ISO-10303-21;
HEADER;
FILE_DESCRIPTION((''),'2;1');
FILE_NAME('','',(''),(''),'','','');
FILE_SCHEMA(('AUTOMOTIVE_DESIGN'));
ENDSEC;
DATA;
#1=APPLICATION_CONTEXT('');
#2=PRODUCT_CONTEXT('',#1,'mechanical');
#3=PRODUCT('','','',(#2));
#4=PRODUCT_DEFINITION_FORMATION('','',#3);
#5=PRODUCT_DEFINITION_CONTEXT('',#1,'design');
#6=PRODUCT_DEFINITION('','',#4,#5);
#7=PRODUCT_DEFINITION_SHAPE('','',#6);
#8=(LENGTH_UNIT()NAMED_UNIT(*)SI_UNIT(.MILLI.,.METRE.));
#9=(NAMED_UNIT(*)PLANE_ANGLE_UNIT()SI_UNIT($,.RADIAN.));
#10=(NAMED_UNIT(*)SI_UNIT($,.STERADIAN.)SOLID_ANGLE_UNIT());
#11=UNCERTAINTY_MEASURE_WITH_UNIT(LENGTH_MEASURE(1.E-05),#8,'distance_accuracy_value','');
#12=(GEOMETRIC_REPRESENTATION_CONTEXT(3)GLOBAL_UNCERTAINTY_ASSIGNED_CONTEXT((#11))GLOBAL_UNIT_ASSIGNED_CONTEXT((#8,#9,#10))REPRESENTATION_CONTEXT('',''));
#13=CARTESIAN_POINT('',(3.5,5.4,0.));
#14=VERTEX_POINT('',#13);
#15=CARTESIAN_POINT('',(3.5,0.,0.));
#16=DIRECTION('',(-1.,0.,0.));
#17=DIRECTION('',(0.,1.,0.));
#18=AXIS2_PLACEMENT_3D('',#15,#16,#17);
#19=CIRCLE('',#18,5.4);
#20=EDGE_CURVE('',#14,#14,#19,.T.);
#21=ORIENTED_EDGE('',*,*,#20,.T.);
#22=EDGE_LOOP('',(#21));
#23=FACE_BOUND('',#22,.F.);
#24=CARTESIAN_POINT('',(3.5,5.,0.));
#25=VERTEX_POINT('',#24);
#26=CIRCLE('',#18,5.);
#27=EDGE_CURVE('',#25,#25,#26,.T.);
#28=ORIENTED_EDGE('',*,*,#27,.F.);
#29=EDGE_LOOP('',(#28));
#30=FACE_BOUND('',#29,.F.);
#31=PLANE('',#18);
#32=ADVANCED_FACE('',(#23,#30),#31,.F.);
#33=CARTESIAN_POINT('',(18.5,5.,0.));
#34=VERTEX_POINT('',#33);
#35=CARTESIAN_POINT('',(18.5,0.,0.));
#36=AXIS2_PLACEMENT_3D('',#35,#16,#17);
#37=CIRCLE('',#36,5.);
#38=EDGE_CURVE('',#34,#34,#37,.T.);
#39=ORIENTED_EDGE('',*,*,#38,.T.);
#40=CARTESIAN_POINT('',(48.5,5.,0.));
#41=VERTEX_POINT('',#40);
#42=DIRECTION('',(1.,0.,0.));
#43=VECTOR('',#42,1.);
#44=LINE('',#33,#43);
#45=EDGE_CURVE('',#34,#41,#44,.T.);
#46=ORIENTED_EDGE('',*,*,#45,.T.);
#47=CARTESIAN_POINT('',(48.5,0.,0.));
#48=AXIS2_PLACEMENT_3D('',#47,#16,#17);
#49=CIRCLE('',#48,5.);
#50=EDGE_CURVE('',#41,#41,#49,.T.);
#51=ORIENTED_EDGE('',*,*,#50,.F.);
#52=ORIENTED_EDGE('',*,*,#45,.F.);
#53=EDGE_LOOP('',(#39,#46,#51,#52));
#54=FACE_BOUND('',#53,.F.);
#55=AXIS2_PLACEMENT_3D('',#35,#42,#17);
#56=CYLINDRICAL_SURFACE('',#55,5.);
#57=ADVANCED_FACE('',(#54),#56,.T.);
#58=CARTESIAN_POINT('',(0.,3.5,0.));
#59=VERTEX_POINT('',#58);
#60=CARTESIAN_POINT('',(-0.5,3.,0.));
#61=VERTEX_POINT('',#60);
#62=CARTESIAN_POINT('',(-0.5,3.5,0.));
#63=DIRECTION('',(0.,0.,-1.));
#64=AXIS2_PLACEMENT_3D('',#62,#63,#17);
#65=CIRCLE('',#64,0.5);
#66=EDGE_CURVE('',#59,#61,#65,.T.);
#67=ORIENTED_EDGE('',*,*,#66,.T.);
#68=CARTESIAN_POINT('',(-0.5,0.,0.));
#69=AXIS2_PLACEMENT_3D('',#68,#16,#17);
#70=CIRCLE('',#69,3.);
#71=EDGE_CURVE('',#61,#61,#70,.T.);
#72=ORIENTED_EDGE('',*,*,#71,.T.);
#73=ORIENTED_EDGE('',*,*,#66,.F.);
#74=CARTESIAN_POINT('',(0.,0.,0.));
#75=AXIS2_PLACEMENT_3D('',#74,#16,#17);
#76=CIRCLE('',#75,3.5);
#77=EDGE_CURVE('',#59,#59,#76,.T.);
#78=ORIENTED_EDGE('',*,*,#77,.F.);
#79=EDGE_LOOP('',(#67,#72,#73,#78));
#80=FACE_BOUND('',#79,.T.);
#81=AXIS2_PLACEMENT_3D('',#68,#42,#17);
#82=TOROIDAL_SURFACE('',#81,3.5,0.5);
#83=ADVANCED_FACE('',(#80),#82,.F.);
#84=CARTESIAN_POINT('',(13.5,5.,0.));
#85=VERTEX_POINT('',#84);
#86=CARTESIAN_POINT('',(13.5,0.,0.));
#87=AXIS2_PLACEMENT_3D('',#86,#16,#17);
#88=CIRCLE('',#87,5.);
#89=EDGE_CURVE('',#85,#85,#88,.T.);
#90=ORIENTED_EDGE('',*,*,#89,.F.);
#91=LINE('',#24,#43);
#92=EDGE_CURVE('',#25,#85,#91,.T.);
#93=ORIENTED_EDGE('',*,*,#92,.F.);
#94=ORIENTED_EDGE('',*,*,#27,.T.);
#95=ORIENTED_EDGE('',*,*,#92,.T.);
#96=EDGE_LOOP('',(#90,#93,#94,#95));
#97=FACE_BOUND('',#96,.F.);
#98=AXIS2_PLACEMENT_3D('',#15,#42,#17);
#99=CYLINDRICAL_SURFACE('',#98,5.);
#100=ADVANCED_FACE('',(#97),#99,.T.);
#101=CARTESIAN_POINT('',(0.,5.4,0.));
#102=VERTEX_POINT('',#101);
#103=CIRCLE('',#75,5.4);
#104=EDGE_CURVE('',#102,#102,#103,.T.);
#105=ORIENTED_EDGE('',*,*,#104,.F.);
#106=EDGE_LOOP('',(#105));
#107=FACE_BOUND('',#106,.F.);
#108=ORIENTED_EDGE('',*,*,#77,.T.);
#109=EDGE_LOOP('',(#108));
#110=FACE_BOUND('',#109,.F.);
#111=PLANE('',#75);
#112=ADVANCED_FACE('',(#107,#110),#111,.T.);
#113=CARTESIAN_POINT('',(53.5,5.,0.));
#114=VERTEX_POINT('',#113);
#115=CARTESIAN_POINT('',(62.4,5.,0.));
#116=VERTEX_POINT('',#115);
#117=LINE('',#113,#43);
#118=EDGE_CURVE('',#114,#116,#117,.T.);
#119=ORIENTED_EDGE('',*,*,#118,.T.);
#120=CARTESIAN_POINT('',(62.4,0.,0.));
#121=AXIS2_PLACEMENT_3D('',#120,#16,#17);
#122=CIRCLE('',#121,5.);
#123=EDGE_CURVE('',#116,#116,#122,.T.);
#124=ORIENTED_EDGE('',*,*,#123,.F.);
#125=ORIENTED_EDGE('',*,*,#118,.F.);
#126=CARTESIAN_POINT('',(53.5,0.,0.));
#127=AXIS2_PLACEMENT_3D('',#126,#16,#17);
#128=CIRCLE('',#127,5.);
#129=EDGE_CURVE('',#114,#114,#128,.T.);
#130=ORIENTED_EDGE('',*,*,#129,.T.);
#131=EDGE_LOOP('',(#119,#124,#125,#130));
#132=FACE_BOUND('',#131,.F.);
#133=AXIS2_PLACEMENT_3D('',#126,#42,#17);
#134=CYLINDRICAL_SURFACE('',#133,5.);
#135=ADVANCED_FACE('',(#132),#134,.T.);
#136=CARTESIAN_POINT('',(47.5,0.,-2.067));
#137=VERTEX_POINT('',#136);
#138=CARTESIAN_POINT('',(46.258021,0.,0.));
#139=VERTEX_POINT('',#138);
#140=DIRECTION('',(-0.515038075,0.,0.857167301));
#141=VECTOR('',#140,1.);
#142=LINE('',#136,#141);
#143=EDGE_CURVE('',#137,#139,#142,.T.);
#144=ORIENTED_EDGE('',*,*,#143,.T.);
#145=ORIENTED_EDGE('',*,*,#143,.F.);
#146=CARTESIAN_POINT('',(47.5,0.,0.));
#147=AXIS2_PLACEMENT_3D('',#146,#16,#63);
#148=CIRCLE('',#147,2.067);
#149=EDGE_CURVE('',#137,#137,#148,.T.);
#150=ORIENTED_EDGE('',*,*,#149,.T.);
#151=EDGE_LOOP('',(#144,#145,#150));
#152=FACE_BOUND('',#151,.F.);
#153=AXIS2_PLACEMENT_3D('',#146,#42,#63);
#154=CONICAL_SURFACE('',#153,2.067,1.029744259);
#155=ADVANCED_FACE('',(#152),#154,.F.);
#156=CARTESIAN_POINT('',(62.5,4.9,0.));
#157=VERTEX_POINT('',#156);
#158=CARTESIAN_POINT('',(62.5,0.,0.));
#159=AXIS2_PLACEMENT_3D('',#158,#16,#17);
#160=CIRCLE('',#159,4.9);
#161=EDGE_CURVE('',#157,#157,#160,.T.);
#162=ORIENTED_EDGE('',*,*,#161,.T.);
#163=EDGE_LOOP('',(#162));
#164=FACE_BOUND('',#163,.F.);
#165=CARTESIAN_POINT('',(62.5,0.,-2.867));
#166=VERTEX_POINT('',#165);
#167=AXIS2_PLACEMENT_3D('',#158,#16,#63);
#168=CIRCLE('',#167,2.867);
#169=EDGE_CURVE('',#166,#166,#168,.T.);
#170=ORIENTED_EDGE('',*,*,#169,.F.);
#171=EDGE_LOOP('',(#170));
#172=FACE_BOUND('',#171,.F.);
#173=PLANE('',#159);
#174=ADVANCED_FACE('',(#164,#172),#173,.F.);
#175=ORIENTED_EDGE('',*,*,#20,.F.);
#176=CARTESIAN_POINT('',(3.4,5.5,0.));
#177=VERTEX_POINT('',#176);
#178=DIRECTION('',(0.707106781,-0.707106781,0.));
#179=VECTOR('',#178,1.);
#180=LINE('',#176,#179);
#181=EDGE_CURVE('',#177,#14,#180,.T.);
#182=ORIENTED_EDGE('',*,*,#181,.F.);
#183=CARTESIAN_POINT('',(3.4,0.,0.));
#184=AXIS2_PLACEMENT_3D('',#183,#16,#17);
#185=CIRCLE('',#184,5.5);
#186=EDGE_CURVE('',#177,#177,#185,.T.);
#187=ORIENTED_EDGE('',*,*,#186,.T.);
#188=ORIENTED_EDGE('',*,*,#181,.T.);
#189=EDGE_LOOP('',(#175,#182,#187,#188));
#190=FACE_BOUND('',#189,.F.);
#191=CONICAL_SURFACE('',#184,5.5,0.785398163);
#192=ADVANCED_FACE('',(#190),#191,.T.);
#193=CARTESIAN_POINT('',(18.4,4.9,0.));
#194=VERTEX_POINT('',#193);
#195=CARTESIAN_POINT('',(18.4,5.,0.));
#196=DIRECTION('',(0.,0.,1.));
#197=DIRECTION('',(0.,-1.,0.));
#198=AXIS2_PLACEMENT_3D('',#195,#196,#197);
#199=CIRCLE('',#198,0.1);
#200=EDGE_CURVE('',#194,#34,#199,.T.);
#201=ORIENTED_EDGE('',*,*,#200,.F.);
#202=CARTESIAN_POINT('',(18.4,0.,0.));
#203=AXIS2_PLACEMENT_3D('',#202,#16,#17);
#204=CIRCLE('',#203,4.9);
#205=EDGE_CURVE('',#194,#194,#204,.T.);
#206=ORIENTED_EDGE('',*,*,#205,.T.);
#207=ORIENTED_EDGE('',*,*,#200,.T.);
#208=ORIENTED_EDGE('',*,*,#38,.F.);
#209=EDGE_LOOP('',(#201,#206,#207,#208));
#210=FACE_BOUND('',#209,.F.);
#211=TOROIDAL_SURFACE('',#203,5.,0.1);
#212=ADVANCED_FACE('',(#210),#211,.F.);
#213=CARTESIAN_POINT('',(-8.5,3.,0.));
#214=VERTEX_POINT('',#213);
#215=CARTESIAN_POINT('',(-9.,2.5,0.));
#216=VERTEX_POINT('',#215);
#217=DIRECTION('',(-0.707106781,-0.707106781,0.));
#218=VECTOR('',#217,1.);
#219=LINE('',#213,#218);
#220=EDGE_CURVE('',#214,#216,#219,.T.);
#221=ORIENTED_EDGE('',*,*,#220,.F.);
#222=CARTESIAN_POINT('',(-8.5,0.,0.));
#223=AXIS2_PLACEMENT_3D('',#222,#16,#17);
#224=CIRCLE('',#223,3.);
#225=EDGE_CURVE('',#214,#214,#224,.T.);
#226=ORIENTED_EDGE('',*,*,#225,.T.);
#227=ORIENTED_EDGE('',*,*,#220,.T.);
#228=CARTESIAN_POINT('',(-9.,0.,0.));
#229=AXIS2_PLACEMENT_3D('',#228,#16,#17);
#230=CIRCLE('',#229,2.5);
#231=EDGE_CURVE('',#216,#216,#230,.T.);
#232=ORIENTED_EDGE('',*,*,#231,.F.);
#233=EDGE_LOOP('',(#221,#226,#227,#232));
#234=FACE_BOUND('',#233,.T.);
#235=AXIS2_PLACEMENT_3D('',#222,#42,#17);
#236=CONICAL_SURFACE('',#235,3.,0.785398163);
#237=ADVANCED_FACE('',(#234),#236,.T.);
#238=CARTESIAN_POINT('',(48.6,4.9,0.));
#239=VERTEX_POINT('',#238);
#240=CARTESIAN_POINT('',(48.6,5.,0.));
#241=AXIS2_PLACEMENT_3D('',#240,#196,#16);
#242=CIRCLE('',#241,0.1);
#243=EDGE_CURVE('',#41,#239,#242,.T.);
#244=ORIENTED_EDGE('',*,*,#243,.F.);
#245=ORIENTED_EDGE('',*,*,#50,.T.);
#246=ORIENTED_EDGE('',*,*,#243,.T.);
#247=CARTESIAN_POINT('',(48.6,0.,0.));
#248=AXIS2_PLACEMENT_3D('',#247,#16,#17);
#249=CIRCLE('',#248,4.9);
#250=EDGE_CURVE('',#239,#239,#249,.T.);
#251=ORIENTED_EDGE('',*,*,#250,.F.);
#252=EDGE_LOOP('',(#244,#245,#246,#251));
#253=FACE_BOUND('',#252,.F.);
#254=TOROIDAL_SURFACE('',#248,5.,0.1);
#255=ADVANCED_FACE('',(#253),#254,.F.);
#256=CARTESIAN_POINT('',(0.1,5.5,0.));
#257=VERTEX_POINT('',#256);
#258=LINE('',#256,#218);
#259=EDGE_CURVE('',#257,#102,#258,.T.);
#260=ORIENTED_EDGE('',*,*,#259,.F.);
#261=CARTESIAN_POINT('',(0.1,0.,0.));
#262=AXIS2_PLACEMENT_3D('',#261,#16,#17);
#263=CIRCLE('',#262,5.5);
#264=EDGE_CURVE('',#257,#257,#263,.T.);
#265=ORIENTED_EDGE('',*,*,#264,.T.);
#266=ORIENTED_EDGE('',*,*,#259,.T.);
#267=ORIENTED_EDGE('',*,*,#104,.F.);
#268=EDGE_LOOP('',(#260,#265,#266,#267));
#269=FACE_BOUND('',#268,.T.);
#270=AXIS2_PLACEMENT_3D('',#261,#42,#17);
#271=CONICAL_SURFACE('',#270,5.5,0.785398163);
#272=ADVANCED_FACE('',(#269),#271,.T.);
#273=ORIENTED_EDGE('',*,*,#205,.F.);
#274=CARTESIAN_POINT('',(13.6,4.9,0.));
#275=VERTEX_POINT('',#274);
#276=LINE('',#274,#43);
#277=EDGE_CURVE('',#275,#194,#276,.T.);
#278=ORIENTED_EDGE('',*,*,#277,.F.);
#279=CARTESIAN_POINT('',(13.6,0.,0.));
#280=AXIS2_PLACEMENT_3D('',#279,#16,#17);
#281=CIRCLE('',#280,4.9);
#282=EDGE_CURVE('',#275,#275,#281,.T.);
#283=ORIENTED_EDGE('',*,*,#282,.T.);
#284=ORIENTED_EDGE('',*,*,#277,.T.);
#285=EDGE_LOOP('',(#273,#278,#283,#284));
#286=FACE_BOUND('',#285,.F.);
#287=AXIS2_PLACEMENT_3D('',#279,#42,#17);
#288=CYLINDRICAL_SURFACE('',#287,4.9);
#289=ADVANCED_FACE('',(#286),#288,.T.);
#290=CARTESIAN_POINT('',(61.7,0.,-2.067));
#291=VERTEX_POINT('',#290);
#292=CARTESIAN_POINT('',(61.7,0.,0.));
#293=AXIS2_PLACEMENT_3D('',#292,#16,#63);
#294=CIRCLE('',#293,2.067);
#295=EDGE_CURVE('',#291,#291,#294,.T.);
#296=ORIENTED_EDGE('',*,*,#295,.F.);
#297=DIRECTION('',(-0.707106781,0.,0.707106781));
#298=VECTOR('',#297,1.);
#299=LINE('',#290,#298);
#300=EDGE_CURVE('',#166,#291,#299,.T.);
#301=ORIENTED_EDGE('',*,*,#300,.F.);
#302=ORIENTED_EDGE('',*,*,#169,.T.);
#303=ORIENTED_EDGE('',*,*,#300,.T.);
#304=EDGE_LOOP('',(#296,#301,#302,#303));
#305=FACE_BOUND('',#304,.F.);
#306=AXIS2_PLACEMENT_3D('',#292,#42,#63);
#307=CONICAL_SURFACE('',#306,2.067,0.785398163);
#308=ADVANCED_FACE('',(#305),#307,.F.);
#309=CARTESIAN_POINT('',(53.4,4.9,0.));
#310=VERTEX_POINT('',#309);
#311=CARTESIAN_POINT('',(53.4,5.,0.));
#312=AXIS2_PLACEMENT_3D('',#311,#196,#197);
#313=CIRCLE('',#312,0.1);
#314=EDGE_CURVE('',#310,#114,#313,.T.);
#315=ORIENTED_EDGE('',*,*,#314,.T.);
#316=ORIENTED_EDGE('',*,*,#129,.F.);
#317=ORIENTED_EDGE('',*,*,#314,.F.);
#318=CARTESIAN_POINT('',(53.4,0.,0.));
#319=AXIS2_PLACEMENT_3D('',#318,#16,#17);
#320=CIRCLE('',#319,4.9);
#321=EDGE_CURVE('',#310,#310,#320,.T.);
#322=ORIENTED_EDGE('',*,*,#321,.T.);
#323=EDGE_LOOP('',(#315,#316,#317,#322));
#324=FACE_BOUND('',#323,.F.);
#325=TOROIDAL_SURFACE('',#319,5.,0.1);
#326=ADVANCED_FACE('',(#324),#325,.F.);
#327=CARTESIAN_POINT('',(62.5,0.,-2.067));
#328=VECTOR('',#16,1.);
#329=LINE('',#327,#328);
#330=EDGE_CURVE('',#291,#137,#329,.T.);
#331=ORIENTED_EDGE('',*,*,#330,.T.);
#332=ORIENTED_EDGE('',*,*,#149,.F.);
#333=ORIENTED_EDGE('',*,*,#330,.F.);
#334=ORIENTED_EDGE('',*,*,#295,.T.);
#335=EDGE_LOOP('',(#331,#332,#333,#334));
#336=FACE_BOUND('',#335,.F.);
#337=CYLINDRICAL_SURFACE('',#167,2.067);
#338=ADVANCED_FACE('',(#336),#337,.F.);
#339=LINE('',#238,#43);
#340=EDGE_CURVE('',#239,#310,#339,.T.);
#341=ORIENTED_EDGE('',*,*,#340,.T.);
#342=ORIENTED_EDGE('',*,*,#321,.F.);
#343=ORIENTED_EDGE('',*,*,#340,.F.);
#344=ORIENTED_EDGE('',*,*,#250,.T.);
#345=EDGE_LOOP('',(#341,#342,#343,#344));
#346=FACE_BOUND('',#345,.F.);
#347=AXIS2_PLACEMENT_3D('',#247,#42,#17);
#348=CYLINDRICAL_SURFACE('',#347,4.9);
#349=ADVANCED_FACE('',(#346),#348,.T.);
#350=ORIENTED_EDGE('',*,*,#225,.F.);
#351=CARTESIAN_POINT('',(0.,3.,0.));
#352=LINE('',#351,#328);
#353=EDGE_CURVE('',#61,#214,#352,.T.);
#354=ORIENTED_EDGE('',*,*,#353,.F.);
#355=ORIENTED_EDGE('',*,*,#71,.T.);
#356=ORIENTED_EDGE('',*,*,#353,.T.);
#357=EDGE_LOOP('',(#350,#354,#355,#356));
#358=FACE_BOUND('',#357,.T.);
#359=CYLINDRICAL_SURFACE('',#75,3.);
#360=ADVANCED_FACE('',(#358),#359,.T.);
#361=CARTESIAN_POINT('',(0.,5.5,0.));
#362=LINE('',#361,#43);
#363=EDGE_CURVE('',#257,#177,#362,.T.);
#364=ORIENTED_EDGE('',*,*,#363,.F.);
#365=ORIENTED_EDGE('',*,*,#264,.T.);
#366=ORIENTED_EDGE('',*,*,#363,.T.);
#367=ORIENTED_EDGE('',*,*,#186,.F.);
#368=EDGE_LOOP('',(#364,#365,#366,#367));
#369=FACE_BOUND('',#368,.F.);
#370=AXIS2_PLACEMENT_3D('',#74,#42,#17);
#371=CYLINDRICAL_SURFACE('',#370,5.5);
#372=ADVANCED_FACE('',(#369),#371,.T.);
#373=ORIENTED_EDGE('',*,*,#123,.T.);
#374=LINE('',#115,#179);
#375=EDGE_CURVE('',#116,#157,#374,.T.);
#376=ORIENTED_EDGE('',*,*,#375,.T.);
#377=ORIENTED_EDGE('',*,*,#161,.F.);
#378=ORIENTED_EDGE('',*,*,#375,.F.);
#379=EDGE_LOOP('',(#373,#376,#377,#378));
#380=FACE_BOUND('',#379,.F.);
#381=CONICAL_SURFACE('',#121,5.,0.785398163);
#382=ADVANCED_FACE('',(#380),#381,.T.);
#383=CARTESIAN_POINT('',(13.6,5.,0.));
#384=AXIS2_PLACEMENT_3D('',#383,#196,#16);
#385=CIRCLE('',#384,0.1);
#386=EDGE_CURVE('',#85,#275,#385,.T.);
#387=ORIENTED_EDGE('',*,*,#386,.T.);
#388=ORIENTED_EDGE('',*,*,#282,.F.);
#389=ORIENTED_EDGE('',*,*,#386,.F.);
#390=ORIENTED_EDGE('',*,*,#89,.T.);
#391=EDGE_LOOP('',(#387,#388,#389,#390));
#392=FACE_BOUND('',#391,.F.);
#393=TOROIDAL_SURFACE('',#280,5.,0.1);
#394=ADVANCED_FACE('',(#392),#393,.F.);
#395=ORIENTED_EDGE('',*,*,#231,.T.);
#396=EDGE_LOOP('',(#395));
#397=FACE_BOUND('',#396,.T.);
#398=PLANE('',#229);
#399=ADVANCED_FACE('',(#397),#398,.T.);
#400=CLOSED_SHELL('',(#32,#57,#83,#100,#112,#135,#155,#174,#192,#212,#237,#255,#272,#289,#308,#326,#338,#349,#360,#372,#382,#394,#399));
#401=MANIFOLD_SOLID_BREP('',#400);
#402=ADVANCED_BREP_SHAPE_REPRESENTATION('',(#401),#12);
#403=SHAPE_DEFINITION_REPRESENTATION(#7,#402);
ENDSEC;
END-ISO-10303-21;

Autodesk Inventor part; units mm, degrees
ref_plane "YZ Plane" through (0, 0, 0) normal (1, 0, 0) x (0, 1, 0)
ref_plane "XZ Plane" through (0, 0, 0) normal (0, 1, 0) x (-1, 0, 0)
ref_plane "XY Plane" through (0, 0, 0) normal (0, 0, 1) x (1, 0, 0)
sketch "Skizze1" plane through (0, 0, 0) normal (0, 0, 1) x (1, 0, 0)
  line L0 (0, 5.5) -> (3.5, 5.5)
  line L1 (3.5, 5.5) -> (3.5, 5)
  line L2 (3.5, 5) -> (13.5, 5)
  line L3 (13.5, 5) -> (13.5, 5)
  line L4 (53.5, 5) -> (53.5, 5)
  line L5 (53.5, 5) -> (62.5, 5)
  line L6 (62.5, 0) -> (0, 0)
  line L7 (0, 3) -> (0, 5.5)
  arc A0 (13.5, 5) -> (13.6, 4.9) centre (13.6, 5) ccw
  arc A1 (53.4, 4.9) -> (53.5, 5) centre (53.4, 5) ccw
  line L8 (18.5, 5) -> (18.5, 5)
  line L9 (18.5, 5) -> (48.5, 5)
  line L10 (48.5, 5) -> (48.5, 5)
  line L11 (13.6, 4.9) -> (18.4, 4.9)
  line L12 (48.6, 4.9) -> (53.4, 4.9)
  arc A2 (18.4, 4.9) -> (18.5, 5) centre (18.4, 5) ccw
  arc A3 (48.5, 5) -> (48.6, 4.9) centre (48.6, 5) ccw
  line L13 (62.5, 5) -> (62.5, 0)
  line L14 (0, 3) -> (-9, 3)
  line L15 (-9, 3) -> (-9, 0)
  line L16 (-9, 0) -> (0, 0)
  line L17 (0, -16.1) -> (0, 16.1) construction
  line L18 (-0.5, -11.5) -> (-0.5, 11.5) projected
  point P0 (33.5, 5)
  dimension "d0" = 11
  dimension "d1" = 3.5
  dimension "YawnShaft_Diameter" = 10
  dimension "d4" = 13.5
  dimension "d7" = 0.1
  dimension "d13" = 9.8
  dimension "d14" = 10
  dimension "d16" = 30
  dimension "d17" = 40
  dimension "d18" = 5
  dimension "d19" = 0.1
  dimension "d49" = 5
  dimension "d51" = 62.5
  dimension "d52" = 59
  dimension "d54" = 30
  dimension "d57" = 6
  dimension "d63" = 8.5
  dimension "YawnFixation_Width" = 30.2
revolve "Grundprofil" add sketch "Skizze1" angle 360 about axis through (62.5, 0, 0) along (-1, 0, 0)
chamfer "Entgraten 0,1mm" distance 0.1 angle 45 3 edges at (0, -5.5, 0) (3.5, -5.5, 0) (62.5, -5, 0)
sketch "Skizze4" plane through (62.5, 0, 0) normal (1, 0, 0) x (0, 0, -1)
  point P0 (0, 0)
  point P1 (0, 0)
hole "Gewinde_Keine_ISO Metrisches Profil_5_Winkel" at (62.5, 0, 0) direction (-1, 0, 0) diameter 4.134 depth 15 tip angle 118 thread size "M5x0.8" class "6H" standard "ISO Metric profile"
chamfer "Gewindefase 0,8mm" distance 0.8 angle 45 1 edges at (62.5, 0, 2.067)
fillet "Kerbwirkungsreduktion 0,5mm" radius 0.5 1 edges at (0, -3, 0)
chamfer "Encoderschaft Fase 0,5mm" distance 0.5 angle 45 1 edges at (-9, -3, 0)
ref_plane "Work Plane1" through (33.5, 5, 0) normal (1, 0, 0) x (0, 1, 0)
equation "\"d7\" = d19"
equation "\"d18\" = -0.5 * d16 + 0.5 * d17"
equation "\"d19\" = -0.5 * d13 + 0.5 * YawnShaft_Diameter"
properties part number "Shoulder_Joint_Yawn_Shaft" material "Stahl, hochfest, niedrig legiert"
